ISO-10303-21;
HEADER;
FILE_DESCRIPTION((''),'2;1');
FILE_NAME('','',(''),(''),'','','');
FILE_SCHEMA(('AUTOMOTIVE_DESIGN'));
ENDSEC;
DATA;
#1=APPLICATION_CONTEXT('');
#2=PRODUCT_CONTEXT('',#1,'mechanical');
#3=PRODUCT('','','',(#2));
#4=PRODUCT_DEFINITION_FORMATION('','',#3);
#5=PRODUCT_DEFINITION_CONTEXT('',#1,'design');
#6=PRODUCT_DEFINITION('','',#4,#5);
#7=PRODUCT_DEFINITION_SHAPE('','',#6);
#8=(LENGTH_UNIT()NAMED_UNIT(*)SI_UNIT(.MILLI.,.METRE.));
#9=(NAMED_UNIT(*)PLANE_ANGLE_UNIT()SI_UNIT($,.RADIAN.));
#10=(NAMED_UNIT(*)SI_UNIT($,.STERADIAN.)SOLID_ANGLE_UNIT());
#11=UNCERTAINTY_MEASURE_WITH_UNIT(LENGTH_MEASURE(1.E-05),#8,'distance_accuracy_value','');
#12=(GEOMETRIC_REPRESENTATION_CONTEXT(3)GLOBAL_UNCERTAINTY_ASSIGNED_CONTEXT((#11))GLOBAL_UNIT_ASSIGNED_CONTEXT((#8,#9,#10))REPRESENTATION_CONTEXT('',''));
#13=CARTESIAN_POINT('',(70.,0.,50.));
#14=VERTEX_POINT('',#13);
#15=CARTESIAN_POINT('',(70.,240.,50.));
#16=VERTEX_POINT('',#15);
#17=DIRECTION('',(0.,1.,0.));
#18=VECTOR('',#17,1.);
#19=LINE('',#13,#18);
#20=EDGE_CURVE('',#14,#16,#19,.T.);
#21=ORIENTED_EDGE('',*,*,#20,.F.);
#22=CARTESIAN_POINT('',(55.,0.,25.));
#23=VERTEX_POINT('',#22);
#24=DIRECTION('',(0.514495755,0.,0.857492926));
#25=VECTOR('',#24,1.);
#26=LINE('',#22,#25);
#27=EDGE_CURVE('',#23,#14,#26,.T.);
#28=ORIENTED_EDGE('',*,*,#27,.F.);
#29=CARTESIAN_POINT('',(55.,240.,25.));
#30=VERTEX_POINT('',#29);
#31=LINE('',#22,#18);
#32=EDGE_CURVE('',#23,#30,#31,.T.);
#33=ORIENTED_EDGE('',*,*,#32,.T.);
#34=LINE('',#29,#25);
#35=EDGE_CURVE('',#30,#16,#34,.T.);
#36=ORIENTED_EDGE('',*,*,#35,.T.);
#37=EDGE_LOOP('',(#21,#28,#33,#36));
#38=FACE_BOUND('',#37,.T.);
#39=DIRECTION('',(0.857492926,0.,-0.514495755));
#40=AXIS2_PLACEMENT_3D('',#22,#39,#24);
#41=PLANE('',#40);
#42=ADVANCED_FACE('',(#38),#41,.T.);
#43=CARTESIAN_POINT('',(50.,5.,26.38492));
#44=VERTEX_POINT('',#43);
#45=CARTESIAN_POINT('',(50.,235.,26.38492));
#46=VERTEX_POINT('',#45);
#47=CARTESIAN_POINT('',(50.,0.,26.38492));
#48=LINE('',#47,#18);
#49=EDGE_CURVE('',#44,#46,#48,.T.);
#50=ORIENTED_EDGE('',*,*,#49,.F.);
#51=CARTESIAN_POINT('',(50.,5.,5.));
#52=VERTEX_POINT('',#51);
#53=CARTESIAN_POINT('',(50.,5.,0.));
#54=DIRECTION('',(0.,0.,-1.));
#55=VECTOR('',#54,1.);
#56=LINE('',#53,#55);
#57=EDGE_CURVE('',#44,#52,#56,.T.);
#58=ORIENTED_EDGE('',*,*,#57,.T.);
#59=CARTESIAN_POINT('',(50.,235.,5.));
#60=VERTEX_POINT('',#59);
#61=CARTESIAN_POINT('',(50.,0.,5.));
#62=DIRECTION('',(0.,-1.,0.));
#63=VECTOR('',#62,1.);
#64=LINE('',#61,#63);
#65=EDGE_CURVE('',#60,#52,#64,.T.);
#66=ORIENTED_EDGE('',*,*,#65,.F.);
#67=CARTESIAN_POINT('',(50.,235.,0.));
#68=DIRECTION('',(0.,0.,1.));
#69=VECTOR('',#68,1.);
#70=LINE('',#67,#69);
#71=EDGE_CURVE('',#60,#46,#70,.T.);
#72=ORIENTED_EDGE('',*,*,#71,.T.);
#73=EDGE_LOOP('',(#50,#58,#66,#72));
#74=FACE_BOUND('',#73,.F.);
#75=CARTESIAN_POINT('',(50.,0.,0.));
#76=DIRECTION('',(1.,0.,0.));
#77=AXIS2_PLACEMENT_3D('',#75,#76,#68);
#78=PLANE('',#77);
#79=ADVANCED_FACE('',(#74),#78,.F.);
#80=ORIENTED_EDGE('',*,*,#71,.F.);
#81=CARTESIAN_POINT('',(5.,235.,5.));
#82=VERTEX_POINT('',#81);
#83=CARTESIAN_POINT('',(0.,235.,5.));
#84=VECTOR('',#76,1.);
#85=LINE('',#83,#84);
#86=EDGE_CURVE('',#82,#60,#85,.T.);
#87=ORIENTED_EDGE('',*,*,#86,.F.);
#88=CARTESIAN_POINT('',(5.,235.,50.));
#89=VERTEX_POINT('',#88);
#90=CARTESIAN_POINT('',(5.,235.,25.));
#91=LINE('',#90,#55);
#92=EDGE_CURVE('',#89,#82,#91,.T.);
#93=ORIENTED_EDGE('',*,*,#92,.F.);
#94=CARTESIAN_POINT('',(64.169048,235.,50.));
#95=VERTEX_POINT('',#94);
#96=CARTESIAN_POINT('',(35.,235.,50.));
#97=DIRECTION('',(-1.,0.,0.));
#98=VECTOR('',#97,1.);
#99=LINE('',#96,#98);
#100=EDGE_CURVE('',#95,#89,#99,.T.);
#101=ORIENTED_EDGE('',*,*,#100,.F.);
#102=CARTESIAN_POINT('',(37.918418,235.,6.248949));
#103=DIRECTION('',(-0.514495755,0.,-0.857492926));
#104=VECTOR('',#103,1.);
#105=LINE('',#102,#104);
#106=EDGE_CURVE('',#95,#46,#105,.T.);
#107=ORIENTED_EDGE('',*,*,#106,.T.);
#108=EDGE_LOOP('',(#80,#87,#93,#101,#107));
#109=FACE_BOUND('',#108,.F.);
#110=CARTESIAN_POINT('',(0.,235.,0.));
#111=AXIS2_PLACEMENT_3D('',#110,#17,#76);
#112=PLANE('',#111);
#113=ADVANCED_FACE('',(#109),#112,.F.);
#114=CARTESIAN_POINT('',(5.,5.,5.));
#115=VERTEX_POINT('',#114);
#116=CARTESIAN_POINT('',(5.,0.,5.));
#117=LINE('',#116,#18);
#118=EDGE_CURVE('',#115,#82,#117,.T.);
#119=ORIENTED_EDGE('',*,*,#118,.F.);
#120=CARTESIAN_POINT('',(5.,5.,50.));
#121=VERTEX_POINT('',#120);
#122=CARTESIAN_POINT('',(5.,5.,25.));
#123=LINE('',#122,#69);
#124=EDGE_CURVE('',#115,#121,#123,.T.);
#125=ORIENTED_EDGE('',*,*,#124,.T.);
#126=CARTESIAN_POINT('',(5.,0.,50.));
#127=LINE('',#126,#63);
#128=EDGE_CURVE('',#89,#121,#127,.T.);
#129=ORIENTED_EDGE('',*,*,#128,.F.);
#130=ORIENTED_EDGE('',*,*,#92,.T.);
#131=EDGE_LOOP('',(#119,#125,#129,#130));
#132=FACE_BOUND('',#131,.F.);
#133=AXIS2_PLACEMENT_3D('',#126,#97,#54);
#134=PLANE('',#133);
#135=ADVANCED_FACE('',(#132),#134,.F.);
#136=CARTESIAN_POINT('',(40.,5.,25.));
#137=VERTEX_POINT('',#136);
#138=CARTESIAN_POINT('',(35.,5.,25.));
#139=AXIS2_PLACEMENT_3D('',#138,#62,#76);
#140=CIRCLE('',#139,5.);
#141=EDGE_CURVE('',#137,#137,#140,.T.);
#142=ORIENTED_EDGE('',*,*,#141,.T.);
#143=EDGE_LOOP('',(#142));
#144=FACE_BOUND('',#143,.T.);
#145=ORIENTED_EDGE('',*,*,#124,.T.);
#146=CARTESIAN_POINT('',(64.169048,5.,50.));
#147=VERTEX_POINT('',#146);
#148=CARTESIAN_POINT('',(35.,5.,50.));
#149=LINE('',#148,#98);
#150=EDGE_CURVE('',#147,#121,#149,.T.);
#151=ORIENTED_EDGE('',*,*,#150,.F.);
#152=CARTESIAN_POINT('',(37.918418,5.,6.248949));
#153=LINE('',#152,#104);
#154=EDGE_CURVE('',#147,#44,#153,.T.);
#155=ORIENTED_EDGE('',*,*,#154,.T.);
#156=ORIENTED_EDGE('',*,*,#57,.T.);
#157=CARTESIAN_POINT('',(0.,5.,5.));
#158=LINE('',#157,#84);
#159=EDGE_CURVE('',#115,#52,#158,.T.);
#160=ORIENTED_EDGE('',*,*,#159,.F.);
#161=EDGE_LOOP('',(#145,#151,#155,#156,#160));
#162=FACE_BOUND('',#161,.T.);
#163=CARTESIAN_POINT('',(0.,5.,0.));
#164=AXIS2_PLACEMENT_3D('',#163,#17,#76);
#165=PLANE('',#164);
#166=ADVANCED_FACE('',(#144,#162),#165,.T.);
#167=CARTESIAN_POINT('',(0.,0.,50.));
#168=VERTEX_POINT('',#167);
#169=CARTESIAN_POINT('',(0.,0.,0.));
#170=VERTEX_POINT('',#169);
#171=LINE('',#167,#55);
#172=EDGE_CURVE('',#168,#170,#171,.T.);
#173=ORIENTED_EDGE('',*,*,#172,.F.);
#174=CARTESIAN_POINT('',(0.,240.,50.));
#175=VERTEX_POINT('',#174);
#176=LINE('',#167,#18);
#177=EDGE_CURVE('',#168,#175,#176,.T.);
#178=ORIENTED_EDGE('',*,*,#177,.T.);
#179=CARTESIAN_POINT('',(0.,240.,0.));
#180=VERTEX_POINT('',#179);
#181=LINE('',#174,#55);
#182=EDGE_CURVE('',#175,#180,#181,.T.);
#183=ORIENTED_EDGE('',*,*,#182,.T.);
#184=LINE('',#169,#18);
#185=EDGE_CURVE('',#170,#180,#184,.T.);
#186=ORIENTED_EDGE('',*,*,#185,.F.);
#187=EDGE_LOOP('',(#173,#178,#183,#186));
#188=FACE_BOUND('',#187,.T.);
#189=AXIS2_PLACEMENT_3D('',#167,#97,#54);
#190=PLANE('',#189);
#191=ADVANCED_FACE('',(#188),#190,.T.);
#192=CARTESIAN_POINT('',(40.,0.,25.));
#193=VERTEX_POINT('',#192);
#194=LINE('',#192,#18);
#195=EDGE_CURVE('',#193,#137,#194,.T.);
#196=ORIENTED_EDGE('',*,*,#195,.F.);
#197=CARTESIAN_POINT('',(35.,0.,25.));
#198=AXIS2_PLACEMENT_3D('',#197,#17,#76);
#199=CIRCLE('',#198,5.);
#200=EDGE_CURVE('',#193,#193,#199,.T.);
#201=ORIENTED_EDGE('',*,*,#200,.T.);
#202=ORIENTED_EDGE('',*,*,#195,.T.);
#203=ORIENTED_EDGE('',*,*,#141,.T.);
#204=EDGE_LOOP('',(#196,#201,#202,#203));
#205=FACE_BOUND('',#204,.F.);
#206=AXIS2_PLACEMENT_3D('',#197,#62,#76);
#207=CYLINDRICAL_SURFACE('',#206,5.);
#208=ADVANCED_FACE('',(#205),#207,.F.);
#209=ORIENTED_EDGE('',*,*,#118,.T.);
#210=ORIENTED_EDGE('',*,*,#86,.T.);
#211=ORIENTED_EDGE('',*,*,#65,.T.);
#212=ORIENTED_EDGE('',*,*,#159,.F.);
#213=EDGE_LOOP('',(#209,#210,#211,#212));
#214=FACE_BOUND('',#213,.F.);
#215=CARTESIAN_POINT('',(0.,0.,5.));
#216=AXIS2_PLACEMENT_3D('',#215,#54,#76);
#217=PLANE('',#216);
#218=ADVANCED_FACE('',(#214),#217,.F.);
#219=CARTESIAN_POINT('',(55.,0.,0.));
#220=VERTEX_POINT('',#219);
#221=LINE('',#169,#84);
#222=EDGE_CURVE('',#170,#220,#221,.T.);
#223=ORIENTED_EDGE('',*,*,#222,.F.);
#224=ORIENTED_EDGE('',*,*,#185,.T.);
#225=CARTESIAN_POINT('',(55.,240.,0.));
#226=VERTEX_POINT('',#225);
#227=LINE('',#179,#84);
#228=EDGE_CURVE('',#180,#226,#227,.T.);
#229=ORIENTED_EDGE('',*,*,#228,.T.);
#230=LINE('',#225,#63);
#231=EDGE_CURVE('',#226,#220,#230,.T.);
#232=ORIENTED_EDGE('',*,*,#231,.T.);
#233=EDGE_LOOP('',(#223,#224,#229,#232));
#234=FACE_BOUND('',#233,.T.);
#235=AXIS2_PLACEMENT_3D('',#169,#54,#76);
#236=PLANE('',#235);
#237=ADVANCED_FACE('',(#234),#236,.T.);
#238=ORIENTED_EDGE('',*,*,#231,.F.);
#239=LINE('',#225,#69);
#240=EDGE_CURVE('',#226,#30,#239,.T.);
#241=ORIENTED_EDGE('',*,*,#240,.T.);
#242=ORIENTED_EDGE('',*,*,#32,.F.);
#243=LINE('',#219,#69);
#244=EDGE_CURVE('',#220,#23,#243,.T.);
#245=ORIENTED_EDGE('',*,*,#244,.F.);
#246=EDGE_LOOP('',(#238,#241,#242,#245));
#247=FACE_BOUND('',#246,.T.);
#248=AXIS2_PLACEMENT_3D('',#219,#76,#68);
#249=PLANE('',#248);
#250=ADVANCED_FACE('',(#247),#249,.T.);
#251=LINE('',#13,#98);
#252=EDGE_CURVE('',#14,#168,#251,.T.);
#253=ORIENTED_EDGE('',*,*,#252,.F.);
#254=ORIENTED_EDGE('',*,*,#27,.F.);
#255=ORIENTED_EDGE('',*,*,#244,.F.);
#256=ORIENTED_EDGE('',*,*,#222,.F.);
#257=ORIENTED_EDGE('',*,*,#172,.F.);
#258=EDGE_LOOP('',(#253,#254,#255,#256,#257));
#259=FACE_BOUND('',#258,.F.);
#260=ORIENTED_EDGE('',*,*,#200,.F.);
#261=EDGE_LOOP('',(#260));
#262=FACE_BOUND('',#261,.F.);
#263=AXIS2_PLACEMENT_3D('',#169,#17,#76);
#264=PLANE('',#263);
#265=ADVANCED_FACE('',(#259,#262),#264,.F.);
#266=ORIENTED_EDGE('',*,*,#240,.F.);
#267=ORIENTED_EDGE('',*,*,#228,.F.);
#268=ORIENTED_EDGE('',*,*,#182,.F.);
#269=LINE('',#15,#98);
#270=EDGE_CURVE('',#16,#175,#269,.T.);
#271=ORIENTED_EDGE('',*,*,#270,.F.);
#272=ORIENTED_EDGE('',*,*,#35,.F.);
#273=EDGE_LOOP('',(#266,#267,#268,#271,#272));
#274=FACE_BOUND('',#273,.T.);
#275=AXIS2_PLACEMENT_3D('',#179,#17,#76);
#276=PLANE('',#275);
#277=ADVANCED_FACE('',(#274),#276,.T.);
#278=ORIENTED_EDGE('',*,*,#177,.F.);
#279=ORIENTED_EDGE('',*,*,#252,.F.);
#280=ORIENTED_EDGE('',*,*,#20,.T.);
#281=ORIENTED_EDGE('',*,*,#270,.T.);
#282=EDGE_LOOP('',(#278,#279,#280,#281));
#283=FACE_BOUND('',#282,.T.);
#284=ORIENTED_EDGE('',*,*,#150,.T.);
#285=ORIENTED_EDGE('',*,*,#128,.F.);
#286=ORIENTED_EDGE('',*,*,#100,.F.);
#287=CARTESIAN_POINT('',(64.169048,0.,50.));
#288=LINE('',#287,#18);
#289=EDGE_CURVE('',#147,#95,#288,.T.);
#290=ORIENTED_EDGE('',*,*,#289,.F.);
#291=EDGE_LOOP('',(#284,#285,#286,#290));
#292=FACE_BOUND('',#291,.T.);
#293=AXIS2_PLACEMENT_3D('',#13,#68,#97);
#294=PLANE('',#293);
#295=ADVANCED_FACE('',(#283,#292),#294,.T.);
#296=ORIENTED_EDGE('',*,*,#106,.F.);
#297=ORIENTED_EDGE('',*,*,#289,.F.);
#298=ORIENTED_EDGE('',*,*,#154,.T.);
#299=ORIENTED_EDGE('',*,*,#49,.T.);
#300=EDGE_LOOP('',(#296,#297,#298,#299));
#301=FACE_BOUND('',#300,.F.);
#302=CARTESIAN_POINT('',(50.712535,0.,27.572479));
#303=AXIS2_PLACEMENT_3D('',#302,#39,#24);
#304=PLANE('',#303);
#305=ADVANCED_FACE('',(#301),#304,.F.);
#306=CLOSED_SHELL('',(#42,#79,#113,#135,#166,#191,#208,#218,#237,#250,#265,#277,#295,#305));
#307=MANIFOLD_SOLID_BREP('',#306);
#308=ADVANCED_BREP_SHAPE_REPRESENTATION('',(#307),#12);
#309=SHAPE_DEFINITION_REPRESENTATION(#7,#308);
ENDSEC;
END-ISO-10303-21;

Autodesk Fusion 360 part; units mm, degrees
sketch "side" plane through (0, 0, 0) normal (0, 1, 0) x (1, 0, 0)
  line L0 (35, -60.6218) -> (70, 0)
  line L1 (70, 0) -> (35, 60.6218)
  line L2 (35, 60.6218) -> (-35, 60.6218)
  line L3 (-35, 60.6218) -> (-70, 0)
  line L4 (-70, 0) -> (-35, -60.6218)
  line L5 (-35, -60.6218) -> (35, -60.6218)
  dimension "d1" = 70
extrude "Extrude1" add sketch "side" along normal blind 240
sketch "2mm offset cap" plane through (0, 0, 0) normal (0, -1, 0) x (1, 0, 0)
  line L0 (35, 60.6218) -> (-35, 60.6218)
  line L1 (-35, 60.6218) -> (-70, 0)
  line L2 (-70, 0) -> (-35, -60.6218)
  line L3 (-35, -60.6218) -> (35, -60.6218)
  line L4 (35, -60.6218) -> (70, 0)
  line L5 (70, 0) -> (35, 60.6218)
  line L6 (-35, 60.6218) -> (35, 60.6218)
  line L7 (70, 0) -> (35, 60.6218)
  line L8 (70, 0) -> (35, -60.6218)
  line L9 (35, -60.6218) -> (-35, -60.6218)
  line L10 (-35, -60.6218) -> (-70, 0)
  line L11 (-70, 0) -> (-35, 60.6218)
  line L12 (-33.8453, -58.6218) -> (-67.6906, 0)
  line L13 (-67.6906, 0) -> (-33.8453, 58.6218)
  line L14 (-33.8453, 58.6218) -> (33.8453, 58.6218)
  line L15 (67.6906, 0) -> (33.8453, 58.6218)
  line L16 (67.6906, 0) -> (33.8453, -58.6218)
  line L17 (33.8453, -58.6218) -> (-33.8453, -58.6218)
  dimension "d4" = 2
extrude "Extrude2" cut sketch "2mm offset cap" against normal blind 239 contours L12 L13 L14 L15 L16 L17
sketch "opening for tubes" plane through (0, 0, -60.6218) normal (0, 0, -1) x (1, 0, 0)
  line L0 (35, 0) -> (-35, 0)
  line L1 (-35, 0) -> (-35, -240)
  line L2 (-35, -240) -> (35, -240)
  line L3 (35, -240) -> (35, 0)
  line L4 (-35, -240) -> (35, -240)
  line L5 (35, -240) -> (35, 0)
  line L6 (35, 0) -> (-35, 0)
  line L7 (-35, 0) -> (-35, -240)
  line L8 (30, -235) -> (30, -5)
  line L9 (30, -5) -> (-30, -5)
  line L10 (-30, -5) -> (-30, -235)
  line L11 (-30, -235) -> (30, -235)
  dimension "d7" = -5
extrude "Extrude4" cut sketch "opening for tubes" against normal blind 2 contours L8 L9 L10 L11

Autodesk Fusion 360 part; units mm, degrees
sketch "side" plane through (0, 0, 0) normal (0, 1, 0) x (1, 0, 0)
  line L0 (0, 0) -> (55, 0)
  line L1 (55, 0) -> (55, -25)
  line L2 (55, -25) -> (70, -50)
  line L3 (70, -50) -> (0, -50)
  line L4 (0, -50) -> (0, 0)
  dimension "d1" = 70
  dimension "d2" = 59.036
  dimension "d3" = 50
  dimension "d4" = 25
extrude "Extrude1" add sketch "side" along normal blind 240
shell "Shell1" thickness 5 removed faces 1 at (46.6667, 80, 50)
sketch "actuator hole" plane through (0, 0, 0) normal (0, -1, 0) x (1, 0, 0)
  line L0 (70, 50) -> (0, 50)
  line L1 (0, 50) -> (0, 0)
  line L2 (0, 0) -> (55, 0)
  line L3 (55, 0) -> (55, 25)
  line L4 (55, 25) -> (70, 50)
  circle A0 centre (35, 25) radius 5
  line L5 (35, 50) -> (35, 0)
  line L6 (0, 25) -> (15, 25)
  line L7 (15, 25) -> (55, 25)
  dimension "d8" = 10
extrude "Extrude2" cut sketch "actuator hole" against normal blind 230 contours A0 L5 L7 | A0 L5 L7 | A0 L5 L7 | A0 L5 L7
